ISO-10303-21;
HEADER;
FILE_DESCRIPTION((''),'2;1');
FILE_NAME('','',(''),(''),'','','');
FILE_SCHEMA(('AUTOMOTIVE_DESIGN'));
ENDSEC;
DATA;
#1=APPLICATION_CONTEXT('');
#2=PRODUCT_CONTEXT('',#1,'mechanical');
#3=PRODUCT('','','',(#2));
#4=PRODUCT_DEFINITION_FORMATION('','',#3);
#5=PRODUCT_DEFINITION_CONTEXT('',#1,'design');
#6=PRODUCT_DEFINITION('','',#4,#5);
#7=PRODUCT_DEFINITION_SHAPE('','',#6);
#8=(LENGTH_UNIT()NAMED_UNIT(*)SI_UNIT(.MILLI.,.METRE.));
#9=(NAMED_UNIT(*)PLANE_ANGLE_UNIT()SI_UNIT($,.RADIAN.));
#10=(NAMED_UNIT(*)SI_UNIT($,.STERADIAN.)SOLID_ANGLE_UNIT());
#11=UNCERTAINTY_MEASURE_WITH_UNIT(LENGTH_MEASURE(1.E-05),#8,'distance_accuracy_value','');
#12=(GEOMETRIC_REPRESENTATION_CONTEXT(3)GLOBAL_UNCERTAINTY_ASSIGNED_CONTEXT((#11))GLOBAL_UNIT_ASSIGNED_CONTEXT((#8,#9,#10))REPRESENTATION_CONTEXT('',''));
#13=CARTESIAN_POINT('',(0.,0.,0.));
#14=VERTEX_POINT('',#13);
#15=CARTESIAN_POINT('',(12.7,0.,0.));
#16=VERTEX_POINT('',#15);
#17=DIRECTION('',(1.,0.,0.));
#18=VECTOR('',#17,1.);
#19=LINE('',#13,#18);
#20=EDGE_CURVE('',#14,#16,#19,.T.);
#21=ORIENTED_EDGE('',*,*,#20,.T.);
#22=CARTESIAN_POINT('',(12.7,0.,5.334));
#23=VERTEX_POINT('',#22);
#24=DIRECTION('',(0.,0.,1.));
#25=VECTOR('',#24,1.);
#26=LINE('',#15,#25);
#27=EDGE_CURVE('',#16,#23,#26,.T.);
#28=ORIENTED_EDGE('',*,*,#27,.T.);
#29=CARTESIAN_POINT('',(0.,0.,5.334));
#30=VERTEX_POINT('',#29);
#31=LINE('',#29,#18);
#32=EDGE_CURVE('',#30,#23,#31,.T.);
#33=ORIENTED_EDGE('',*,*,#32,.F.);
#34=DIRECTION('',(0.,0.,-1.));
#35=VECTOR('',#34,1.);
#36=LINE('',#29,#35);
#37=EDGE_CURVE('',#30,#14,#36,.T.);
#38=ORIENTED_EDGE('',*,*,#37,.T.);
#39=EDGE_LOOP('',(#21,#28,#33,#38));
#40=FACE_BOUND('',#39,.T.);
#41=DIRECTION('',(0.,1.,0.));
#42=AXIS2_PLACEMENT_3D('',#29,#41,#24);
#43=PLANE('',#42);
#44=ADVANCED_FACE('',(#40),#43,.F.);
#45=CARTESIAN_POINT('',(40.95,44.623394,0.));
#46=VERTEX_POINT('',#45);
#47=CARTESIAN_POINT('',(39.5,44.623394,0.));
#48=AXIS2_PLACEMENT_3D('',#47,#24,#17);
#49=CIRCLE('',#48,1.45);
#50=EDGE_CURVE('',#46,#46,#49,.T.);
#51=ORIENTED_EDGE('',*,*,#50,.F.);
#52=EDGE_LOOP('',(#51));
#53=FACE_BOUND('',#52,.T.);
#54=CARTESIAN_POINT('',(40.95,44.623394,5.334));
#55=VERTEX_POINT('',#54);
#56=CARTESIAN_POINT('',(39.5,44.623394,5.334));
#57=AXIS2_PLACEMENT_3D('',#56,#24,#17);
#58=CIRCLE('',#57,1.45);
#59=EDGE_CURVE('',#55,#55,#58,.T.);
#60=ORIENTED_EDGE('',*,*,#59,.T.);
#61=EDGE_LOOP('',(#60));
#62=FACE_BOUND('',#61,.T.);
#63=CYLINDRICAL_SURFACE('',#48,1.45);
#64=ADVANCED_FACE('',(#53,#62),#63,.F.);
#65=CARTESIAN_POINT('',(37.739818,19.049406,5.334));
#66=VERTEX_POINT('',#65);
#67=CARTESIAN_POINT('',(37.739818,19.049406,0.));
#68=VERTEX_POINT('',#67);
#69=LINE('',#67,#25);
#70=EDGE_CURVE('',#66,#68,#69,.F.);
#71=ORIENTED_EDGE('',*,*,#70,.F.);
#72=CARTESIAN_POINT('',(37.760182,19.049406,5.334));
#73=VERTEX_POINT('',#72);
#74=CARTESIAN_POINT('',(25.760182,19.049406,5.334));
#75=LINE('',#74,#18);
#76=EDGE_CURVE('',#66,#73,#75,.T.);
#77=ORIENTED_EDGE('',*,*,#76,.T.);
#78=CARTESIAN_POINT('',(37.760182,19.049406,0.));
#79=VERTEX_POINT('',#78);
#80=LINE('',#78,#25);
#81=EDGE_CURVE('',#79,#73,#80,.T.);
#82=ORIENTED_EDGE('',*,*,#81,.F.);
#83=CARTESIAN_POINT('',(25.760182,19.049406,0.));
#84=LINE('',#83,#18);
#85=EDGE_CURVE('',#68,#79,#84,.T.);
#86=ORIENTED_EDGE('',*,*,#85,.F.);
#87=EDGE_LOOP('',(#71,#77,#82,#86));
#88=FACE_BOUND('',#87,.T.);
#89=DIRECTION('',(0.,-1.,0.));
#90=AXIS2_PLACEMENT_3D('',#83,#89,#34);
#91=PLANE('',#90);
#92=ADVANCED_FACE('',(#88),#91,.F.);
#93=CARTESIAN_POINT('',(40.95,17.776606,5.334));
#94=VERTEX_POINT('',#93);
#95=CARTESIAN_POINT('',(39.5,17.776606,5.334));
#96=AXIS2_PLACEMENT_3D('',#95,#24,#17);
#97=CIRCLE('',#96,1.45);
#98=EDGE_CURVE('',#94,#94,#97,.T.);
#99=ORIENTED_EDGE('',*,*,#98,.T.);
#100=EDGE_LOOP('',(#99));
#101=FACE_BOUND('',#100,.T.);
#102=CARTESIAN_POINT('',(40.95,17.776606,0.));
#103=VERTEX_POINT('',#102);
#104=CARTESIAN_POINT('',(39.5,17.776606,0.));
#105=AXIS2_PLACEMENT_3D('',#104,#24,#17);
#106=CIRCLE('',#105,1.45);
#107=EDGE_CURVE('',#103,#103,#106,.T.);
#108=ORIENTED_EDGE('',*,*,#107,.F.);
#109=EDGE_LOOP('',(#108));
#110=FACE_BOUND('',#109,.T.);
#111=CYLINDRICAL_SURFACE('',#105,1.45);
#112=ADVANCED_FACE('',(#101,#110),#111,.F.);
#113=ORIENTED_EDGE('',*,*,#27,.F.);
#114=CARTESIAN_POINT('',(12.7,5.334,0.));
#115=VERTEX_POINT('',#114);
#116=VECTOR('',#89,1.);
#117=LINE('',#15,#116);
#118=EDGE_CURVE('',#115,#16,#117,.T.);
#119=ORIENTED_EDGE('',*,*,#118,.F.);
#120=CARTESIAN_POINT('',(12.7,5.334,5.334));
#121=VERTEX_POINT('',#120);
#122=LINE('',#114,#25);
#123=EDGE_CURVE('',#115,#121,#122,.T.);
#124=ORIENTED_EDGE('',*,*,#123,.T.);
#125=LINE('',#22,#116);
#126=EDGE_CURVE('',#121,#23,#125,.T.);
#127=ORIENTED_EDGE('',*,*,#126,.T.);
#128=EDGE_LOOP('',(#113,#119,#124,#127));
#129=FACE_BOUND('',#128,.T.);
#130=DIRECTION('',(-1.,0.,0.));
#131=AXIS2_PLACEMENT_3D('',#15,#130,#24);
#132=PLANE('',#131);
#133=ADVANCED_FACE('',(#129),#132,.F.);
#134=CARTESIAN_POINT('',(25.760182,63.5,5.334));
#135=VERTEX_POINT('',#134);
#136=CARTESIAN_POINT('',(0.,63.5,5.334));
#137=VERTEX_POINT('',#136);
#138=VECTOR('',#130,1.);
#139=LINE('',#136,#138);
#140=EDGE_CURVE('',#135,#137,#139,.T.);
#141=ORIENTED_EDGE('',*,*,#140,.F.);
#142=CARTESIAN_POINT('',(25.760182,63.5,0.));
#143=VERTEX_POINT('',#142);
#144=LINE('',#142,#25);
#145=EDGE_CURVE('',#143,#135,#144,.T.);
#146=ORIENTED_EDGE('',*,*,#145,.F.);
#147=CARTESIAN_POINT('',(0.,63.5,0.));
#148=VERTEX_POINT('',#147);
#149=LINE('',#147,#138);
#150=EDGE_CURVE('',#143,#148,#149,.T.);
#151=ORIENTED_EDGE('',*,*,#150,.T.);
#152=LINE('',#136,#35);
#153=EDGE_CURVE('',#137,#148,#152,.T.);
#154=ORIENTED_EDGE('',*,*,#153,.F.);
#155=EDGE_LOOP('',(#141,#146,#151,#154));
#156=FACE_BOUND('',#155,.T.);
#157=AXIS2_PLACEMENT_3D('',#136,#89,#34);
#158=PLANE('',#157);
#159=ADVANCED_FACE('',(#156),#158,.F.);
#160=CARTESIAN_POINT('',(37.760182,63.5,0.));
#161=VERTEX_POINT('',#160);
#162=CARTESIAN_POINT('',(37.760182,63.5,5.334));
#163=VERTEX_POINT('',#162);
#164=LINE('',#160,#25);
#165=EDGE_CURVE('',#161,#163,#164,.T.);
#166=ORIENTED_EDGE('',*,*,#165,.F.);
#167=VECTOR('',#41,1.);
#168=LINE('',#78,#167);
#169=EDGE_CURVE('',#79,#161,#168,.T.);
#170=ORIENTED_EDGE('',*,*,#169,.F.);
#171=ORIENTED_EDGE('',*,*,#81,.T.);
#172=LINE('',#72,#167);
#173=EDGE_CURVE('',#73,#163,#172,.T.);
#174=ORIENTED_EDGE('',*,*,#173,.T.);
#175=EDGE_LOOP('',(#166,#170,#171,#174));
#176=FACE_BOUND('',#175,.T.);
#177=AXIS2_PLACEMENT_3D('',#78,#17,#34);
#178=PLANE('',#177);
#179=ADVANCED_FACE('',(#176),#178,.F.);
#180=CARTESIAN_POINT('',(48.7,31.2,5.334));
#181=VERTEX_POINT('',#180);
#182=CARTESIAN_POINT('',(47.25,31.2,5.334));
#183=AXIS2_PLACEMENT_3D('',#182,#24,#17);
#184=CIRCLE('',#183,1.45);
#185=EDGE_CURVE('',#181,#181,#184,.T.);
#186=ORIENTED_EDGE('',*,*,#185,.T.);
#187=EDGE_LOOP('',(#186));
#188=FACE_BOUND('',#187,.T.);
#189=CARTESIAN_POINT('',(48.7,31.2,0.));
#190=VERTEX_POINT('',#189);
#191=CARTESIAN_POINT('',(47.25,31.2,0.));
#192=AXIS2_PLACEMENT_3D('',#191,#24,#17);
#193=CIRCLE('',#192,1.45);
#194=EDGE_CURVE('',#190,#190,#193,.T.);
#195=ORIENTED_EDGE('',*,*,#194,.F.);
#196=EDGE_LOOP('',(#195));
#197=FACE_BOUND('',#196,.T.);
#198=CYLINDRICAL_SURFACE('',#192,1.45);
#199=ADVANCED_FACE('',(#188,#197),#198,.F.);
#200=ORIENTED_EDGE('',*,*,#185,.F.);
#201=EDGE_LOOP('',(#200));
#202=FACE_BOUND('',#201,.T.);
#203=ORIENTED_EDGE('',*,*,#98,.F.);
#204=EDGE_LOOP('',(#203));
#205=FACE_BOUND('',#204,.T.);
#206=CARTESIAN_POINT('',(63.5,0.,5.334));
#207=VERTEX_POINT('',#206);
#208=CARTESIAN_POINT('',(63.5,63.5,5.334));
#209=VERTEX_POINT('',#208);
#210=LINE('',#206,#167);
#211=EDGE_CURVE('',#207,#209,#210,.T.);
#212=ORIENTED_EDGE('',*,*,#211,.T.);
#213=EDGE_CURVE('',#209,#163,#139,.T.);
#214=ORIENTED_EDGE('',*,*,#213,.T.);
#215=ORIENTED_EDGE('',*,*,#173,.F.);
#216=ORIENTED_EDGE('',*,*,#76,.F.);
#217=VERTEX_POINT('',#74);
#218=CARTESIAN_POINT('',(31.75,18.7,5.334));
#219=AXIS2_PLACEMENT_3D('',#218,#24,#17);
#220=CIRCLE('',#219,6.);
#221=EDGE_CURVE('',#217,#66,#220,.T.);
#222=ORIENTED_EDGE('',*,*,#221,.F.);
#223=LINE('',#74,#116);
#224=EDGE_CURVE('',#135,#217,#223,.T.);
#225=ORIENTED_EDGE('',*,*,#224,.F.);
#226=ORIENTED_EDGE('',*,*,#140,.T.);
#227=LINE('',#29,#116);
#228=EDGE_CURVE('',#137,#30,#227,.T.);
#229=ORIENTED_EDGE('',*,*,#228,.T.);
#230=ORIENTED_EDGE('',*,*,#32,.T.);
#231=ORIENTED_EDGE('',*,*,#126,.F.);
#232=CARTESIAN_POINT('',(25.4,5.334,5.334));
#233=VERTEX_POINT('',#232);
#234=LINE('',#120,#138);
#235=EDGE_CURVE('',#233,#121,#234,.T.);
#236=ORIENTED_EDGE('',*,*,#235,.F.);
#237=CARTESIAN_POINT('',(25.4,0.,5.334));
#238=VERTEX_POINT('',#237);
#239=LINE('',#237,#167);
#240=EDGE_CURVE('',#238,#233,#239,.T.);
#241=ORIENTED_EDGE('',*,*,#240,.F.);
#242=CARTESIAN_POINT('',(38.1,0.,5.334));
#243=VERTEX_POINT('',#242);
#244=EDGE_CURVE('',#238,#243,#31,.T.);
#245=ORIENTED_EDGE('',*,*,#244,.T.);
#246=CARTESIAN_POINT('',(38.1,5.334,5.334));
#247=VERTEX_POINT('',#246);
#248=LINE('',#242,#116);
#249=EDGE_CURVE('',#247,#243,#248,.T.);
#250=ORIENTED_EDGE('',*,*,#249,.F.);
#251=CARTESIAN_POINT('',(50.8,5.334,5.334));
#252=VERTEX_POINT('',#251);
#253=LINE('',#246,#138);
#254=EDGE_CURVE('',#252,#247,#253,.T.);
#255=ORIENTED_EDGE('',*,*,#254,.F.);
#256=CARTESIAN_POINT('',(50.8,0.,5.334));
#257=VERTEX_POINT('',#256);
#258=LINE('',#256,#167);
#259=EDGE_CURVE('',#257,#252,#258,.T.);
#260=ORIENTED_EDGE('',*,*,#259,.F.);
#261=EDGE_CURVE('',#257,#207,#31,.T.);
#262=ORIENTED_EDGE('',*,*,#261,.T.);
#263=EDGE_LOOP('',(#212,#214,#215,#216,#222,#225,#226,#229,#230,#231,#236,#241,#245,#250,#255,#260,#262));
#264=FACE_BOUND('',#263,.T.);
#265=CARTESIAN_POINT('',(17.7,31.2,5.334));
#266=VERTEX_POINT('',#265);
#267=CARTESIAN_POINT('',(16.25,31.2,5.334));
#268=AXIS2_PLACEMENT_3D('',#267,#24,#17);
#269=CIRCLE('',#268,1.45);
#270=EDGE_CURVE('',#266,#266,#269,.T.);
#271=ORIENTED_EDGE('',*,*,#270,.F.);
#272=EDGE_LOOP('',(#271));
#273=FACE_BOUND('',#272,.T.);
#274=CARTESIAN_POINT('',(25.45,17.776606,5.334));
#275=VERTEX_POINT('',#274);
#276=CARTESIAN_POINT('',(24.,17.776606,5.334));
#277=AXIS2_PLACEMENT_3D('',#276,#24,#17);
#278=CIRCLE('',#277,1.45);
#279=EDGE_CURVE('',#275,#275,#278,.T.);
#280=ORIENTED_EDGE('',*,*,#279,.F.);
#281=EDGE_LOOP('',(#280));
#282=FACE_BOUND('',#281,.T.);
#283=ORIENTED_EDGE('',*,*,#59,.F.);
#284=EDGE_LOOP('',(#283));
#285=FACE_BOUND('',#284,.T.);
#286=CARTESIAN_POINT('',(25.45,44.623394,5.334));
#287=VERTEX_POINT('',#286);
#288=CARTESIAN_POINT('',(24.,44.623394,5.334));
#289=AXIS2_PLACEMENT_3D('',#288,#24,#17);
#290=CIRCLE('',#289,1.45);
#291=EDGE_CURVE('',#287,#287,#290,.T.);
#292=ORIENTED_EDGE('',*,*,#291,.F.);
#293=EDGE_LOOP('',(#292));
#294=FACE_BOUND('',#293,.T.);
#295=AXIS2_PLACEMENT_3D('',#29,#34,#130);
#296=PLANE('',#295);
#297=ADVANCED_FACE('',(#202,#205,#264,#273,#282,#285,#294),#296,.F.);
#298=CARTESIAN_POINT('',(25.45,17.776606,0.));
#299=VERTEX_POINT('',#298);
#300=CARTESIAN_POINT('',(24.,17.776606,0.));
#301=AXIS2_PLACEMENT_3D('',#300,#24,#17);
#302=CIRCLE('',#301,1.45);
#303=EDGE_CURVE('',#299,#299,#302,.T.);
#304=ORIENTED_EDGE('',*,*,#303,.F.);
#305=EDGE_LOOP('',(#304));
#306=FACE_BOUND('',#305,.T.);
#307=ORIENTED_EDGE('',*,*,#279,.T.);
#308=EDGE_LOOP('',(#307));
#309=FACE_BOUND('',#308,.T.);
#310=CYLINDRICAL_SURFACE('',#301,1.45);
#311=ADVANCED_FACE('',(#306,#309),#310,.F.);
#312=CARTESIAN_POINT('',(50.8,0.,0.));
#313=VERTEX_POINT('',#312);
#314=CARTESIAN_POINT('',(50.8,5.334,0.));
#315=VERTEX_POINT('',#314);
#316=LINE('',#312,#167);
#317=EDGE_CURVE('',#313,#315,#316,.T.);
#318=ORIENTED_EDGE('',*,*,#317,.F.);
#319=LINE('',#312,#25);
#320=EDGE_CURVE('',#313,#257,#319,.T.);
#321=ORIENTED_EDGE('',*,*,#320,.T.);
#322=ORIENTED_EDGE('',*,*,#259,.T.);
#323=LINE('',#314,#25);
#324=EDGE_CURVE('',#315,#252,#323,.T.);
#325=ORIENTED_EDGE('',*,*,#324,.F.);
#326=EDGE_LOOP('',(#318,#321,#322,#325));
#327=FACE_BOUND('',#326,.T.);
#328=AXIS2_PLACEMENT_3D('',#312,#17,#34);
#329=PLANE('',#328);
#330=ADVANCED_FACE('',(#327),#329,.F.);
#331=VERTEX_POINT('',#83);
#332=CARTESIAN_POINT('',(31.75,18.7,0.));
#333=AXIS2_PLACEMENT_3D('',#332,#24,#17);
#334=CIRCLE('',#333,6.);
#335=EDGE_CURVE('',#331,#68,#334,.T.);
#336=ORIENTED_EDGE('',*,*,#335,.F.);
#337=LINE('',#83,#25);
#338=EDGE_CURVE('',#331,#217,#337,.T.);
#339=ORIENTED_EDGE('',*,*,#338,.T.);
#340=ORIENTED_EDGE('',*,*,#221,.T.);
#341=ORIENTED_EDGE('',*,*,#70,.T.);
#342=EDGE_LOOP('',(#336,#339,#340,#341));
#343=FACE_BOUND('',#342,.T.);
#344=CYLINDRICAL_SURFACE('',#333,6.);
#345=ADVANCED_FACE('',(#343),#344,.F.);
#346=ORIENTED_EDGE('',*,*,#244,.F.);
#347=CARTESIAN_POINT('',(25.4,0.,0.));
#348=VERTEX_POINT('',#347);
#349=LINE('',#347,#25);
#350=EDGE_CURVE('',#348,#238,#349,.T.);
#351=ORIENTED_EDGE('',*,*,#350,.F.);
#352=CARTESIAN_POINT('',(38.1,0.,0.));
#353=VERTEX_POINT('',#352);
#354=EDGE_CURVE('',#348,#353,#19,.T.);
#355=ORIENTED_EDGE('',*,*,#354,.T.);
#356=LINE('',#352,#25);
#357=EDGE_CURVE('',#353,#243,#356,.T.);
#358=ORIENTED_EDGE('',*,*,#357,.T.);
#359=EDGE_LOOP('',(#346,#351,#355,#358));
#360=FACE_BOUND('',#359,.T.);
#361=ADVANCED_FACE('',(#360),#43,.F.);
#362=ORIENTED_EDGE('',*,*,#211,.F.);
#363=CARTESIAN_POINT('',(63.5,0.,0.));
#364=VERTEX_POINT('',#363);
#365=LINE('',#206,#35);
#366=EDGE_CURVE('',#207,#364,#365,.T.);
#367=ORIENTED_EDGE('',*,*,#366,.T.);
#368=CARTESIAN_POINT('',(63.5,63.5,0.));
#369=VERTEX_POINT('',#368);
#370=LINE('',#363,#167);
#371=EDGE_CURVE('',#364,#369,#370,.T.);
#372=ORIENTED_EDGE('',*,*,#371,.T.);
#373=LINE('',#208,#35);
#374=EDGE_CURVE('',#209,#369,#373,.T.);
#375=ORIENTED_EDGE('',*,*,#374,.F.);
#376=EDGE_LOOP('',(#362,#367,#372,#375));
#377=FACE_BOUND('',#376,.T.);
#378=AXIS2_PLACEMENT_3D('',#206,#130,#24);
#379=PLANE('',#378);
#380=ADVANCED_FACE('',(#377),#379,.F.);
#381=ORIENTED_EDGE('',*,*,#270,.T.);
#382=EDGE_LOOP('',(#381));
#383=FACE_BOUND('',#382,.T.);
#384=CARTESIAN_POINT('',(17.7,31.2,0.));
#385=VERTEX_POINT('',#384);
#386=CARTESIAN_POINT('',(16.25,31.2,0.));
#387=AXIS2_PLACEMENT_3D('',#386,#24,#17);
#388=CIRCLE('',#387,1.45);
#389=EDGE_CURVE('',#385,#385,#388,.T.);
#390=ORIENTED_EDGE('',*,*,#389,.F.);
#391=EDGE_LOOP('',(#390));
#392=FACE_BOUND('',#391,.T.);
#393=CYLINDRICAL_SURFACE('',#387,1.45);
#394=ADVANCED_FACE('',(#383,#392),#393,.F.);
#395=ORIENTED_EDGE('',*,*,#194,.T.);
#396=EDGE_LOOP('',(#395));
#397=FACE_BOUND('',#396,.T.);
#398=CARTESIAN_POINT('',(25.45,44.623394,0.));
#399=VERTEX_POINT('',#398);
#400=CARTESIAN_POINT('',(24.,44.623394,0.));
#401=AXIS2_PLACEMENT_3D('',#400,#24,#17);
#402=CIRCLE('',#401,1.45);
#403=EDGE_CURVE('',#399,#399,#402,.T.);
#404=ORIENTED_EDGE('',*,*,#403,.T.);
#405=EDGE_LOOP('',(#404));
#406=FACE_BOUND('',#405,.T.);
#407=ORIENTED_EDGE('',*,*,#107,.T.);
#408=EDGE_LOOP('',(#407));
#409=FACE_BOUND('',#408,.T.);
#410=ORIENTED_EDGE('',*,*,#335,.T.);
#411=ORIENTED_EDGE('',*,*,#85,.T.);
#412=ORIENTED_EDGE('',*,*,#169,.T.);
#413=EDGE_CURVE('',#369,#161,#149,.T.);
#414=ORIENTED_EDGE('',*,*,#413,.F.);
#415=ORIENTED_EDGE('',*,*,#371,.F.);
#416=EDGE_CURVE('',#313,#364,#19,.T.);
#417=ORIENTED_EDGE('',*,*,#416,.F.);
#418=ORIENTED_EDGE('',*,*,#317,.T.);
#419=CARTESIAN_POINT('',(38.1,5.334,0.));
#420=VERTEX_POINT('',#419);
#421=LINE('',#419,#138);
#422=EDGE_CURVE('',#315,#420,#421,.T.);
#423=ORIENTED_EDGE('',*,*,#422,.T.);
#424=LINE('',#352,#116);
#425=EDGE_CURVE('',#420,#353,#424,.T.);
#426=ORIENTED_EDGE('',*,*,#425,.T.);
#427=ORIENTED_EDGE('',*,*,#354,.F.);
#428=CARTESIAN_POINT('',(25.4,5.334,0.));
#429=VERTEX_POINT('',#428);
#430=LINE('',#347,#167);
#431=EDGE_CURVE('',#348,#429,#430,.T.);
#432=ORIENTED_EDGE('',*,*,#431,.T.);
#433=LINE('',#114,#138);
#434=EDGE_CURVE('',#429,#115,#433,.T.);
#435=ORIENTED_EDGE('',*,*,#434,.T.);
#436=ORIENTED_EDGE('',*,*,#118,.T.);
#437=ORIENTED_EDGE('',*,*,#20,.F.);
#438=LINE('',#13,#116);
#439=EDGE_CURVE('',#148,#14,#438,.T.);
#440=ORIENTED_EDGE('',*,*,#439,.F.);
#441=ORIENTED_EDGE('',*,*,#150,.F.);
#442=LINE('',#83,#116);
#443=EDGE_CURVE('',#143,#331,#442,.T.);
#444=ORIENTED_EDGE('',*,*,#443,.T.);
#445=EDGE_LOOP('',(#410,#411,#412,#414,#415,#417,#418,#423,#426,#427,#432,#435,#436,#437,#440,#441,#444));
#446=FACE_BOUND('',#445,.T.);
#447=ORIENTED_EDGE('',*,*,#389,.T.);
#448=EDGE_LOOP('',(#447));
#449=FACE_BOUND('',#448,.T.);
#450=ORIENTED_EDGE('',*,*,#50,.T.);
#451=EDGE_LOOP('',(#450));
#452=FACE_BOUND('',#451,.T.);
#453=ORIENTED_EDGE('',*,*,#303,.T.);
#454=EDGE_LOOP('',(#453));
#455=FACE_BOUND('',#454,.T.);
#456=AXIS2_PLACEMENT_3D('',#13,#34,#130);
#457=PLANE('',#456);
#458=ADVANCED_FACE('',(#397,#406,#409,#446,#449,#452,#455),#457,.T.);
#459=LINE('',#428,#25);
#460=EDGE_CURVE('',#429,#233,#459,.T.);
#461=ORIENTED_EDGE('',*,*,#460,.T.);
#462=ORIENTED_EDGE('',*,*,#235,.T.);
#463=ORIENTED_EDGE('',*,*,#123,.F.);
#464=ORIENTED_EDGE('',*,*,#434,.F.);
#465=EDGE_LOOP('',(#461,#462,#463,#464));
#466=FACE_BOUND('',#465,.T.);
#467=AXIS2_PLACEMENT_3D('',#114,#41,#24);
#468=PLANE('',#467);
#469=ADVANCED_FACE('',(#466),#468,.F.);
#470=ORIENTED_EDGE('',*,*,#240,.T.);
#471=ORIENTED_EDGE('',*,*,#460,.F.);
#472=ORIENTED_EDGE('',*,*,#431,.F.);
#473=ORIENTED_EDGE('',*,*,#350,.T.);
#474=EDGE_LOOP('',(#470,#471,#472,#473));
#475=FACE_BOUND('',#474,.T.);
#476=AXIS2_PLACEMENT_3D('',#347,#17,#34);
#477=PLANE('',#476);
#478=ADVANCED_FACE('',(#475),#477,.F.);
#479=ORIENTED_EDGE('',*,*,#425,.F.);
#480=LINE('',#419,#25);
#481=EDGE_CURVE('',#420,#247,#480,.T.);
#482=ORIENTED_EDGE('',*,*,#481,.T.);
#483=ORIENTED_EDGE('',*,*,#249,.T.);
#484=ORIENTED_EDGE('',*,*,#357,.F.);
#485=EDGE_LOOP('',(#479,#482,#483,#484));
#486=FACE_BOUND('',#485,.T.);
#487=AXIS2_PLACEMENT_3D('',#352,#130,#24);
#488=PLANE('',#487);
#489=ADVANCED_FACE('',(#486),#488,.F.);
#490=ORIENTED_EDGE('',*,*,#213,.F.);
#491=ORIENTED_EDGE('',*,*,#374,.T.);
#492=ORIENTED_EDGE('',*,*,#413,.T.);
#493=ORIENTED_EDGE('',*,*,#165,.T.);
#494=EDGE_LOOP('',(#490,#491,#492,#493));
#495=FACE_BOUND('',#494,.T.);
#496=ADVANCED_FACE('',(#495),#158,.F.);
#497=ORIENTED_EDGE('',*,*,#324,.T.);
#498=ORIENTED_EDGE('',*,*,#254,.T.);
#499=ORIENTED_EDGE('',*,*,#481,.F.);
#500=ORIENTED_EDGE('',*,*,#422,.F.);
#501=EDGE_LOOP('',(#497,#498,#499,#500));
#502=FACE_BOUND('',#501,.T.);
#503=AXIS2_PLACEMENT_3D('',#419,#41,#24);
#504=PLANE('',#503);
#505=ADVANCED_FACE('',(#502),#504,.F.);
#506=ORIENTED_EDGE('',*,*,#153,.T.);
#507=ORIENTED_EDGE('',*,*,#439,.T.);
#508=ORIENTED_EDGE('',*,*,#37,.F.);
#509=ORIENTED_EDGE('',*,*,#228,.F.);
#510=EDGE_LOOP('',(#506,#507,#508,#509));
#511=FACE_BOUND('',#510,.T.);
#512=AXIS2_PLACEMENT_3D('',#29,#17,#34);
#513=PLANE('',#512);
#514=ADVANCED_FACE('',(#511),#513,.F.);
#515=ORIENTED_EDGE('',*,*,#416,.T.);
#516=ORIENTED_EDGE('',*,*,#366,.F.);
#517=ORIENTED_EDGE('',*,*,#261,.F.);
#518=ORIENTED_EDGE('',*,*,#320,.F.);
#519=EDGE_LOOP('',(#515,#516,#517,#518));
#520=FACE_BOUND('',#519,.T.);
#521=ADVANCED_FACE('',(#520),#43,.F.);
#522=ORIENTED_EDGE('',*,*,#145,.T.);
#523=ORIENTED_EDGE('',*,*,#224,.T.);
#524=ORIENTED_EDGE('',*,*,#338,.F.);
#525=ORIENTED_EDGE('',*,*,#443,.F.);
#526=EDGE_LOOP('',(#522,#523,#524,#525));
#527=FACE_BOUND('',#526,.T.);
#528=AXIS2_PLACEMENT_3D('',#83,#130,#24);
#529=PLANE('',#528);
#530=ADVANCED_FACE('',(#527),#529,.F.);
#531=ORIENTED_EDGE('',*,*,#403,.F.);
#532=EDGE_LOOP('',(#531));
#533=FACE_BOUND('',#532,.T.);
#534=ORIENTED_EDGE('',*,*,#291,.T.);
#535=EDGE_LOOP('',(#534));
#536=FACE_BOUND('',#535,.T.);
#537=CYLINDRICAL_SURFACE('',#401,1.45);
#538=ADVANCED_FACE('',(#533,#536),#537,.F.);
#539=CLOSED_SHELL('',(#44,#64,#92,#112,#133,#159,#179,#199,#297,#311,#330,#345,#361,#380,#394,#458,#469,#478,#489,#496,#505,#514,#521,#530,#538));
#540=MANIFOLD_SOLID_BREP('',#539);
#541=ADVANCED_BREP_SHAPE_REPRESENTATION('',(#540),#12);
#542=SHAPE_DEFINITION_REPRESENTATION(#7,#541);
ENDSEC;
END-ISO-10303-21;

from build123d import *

# Parameters (mm, degrees)
SKETCH2_W           = 63.5
SKETCH2_H           = 63.5
BOSS_EXTRUDE1_DEPTH = 5.334
SKETCH4_W           = 12.7
SKETCH4_H           = 5.334
CUT_EXTRUDE1_DEPTH  = 5.334
SKETCH5_R           = 5.999999938
CUT_EXTRUDE2_DEPTH  = 5.334
SKETCH6_W           = 12
SKETCH6_H           = 44.450593975
CUT_EXTRUDE3_DEPTH  = 5.334
SKETCH7_R           = 1.45
CUT_EXTRUDE4_DEPTH  = 90.960833455


with BuildPart() as part:
    # Sketch2 → Boss-Extrude1 (new body)
    with BuildSketch(Plane.XY):
        with Locations((31.75, 31.75)):
            Rectangle(SKETCH2_W, SKETCH2_H)
    extrude(amount=BOSS_EXTRUDE1_DEPTH)

    # Sketch4 → Cut-Extrude1 (cut)
    with BuildSketch(Plane.XY.offset(5.334)):
        with Locations((19.05, 2.667)):
            Rectangle(SKETCH4_W, SKETCH4_H)
        with Locations((44.45, 2.667)):
            Rectangle(SKETCH4_W, SKETCH4_H)
    extrude(amount=-CUT_EXTRUDE1_DEPTH, mode=Mode.SUBTRACT)

    # Sketch5 → Cut-Extrude2 (cut)
    with BuildSketch(Plane.XY.offset(5.334)):
        with Locations((31.75, 18.699999938)):
            Circle(SKETCH5_R)
    extrude(amount=-CUT_EXTRUDE2_DEPTH, mode=Mode.SUBTRACT)

    # Sketch6 → Cut-Extrude3 (cut)
    with BuildSketch(Plane.XY.offset(5.334)):
        with Locations((31.76018242, 41.274703013)):
            Rectangle(SKETCH6_W, SKETCH6_H)
    extrude(amount=-CUT_EXTRUDE3_DEPTH, mode=Mode.SUBTRACT)

    # Sketch7 → Cut-Extrude4 (cut, through all)
    with BuildSketch(Plane.XY.offset(5.334)):
        with Locations((47.25, 31.199999957)):
            Circle(SKETCH7_R)
        with Locations((39.5, 17.776606198)):
            Circle(SKETCH7_R)
        with Locations((24, 17.776606198)):
            Circle(SKETCH7_R)
        with Locations((16.25, 31.199999957)):
            Circle(SKETCH7_R)
        with Locations((24, 44.623393716)):
            Circle(SKETCH7_R)
        with Locations((39.5, 44.623393716)):
            Circle(SKETCH7_R)
    extrude(amount=-CUT_EXTRUDE4_DEPTH, mode=Mode.SUBTRACT)


solid = part.part
